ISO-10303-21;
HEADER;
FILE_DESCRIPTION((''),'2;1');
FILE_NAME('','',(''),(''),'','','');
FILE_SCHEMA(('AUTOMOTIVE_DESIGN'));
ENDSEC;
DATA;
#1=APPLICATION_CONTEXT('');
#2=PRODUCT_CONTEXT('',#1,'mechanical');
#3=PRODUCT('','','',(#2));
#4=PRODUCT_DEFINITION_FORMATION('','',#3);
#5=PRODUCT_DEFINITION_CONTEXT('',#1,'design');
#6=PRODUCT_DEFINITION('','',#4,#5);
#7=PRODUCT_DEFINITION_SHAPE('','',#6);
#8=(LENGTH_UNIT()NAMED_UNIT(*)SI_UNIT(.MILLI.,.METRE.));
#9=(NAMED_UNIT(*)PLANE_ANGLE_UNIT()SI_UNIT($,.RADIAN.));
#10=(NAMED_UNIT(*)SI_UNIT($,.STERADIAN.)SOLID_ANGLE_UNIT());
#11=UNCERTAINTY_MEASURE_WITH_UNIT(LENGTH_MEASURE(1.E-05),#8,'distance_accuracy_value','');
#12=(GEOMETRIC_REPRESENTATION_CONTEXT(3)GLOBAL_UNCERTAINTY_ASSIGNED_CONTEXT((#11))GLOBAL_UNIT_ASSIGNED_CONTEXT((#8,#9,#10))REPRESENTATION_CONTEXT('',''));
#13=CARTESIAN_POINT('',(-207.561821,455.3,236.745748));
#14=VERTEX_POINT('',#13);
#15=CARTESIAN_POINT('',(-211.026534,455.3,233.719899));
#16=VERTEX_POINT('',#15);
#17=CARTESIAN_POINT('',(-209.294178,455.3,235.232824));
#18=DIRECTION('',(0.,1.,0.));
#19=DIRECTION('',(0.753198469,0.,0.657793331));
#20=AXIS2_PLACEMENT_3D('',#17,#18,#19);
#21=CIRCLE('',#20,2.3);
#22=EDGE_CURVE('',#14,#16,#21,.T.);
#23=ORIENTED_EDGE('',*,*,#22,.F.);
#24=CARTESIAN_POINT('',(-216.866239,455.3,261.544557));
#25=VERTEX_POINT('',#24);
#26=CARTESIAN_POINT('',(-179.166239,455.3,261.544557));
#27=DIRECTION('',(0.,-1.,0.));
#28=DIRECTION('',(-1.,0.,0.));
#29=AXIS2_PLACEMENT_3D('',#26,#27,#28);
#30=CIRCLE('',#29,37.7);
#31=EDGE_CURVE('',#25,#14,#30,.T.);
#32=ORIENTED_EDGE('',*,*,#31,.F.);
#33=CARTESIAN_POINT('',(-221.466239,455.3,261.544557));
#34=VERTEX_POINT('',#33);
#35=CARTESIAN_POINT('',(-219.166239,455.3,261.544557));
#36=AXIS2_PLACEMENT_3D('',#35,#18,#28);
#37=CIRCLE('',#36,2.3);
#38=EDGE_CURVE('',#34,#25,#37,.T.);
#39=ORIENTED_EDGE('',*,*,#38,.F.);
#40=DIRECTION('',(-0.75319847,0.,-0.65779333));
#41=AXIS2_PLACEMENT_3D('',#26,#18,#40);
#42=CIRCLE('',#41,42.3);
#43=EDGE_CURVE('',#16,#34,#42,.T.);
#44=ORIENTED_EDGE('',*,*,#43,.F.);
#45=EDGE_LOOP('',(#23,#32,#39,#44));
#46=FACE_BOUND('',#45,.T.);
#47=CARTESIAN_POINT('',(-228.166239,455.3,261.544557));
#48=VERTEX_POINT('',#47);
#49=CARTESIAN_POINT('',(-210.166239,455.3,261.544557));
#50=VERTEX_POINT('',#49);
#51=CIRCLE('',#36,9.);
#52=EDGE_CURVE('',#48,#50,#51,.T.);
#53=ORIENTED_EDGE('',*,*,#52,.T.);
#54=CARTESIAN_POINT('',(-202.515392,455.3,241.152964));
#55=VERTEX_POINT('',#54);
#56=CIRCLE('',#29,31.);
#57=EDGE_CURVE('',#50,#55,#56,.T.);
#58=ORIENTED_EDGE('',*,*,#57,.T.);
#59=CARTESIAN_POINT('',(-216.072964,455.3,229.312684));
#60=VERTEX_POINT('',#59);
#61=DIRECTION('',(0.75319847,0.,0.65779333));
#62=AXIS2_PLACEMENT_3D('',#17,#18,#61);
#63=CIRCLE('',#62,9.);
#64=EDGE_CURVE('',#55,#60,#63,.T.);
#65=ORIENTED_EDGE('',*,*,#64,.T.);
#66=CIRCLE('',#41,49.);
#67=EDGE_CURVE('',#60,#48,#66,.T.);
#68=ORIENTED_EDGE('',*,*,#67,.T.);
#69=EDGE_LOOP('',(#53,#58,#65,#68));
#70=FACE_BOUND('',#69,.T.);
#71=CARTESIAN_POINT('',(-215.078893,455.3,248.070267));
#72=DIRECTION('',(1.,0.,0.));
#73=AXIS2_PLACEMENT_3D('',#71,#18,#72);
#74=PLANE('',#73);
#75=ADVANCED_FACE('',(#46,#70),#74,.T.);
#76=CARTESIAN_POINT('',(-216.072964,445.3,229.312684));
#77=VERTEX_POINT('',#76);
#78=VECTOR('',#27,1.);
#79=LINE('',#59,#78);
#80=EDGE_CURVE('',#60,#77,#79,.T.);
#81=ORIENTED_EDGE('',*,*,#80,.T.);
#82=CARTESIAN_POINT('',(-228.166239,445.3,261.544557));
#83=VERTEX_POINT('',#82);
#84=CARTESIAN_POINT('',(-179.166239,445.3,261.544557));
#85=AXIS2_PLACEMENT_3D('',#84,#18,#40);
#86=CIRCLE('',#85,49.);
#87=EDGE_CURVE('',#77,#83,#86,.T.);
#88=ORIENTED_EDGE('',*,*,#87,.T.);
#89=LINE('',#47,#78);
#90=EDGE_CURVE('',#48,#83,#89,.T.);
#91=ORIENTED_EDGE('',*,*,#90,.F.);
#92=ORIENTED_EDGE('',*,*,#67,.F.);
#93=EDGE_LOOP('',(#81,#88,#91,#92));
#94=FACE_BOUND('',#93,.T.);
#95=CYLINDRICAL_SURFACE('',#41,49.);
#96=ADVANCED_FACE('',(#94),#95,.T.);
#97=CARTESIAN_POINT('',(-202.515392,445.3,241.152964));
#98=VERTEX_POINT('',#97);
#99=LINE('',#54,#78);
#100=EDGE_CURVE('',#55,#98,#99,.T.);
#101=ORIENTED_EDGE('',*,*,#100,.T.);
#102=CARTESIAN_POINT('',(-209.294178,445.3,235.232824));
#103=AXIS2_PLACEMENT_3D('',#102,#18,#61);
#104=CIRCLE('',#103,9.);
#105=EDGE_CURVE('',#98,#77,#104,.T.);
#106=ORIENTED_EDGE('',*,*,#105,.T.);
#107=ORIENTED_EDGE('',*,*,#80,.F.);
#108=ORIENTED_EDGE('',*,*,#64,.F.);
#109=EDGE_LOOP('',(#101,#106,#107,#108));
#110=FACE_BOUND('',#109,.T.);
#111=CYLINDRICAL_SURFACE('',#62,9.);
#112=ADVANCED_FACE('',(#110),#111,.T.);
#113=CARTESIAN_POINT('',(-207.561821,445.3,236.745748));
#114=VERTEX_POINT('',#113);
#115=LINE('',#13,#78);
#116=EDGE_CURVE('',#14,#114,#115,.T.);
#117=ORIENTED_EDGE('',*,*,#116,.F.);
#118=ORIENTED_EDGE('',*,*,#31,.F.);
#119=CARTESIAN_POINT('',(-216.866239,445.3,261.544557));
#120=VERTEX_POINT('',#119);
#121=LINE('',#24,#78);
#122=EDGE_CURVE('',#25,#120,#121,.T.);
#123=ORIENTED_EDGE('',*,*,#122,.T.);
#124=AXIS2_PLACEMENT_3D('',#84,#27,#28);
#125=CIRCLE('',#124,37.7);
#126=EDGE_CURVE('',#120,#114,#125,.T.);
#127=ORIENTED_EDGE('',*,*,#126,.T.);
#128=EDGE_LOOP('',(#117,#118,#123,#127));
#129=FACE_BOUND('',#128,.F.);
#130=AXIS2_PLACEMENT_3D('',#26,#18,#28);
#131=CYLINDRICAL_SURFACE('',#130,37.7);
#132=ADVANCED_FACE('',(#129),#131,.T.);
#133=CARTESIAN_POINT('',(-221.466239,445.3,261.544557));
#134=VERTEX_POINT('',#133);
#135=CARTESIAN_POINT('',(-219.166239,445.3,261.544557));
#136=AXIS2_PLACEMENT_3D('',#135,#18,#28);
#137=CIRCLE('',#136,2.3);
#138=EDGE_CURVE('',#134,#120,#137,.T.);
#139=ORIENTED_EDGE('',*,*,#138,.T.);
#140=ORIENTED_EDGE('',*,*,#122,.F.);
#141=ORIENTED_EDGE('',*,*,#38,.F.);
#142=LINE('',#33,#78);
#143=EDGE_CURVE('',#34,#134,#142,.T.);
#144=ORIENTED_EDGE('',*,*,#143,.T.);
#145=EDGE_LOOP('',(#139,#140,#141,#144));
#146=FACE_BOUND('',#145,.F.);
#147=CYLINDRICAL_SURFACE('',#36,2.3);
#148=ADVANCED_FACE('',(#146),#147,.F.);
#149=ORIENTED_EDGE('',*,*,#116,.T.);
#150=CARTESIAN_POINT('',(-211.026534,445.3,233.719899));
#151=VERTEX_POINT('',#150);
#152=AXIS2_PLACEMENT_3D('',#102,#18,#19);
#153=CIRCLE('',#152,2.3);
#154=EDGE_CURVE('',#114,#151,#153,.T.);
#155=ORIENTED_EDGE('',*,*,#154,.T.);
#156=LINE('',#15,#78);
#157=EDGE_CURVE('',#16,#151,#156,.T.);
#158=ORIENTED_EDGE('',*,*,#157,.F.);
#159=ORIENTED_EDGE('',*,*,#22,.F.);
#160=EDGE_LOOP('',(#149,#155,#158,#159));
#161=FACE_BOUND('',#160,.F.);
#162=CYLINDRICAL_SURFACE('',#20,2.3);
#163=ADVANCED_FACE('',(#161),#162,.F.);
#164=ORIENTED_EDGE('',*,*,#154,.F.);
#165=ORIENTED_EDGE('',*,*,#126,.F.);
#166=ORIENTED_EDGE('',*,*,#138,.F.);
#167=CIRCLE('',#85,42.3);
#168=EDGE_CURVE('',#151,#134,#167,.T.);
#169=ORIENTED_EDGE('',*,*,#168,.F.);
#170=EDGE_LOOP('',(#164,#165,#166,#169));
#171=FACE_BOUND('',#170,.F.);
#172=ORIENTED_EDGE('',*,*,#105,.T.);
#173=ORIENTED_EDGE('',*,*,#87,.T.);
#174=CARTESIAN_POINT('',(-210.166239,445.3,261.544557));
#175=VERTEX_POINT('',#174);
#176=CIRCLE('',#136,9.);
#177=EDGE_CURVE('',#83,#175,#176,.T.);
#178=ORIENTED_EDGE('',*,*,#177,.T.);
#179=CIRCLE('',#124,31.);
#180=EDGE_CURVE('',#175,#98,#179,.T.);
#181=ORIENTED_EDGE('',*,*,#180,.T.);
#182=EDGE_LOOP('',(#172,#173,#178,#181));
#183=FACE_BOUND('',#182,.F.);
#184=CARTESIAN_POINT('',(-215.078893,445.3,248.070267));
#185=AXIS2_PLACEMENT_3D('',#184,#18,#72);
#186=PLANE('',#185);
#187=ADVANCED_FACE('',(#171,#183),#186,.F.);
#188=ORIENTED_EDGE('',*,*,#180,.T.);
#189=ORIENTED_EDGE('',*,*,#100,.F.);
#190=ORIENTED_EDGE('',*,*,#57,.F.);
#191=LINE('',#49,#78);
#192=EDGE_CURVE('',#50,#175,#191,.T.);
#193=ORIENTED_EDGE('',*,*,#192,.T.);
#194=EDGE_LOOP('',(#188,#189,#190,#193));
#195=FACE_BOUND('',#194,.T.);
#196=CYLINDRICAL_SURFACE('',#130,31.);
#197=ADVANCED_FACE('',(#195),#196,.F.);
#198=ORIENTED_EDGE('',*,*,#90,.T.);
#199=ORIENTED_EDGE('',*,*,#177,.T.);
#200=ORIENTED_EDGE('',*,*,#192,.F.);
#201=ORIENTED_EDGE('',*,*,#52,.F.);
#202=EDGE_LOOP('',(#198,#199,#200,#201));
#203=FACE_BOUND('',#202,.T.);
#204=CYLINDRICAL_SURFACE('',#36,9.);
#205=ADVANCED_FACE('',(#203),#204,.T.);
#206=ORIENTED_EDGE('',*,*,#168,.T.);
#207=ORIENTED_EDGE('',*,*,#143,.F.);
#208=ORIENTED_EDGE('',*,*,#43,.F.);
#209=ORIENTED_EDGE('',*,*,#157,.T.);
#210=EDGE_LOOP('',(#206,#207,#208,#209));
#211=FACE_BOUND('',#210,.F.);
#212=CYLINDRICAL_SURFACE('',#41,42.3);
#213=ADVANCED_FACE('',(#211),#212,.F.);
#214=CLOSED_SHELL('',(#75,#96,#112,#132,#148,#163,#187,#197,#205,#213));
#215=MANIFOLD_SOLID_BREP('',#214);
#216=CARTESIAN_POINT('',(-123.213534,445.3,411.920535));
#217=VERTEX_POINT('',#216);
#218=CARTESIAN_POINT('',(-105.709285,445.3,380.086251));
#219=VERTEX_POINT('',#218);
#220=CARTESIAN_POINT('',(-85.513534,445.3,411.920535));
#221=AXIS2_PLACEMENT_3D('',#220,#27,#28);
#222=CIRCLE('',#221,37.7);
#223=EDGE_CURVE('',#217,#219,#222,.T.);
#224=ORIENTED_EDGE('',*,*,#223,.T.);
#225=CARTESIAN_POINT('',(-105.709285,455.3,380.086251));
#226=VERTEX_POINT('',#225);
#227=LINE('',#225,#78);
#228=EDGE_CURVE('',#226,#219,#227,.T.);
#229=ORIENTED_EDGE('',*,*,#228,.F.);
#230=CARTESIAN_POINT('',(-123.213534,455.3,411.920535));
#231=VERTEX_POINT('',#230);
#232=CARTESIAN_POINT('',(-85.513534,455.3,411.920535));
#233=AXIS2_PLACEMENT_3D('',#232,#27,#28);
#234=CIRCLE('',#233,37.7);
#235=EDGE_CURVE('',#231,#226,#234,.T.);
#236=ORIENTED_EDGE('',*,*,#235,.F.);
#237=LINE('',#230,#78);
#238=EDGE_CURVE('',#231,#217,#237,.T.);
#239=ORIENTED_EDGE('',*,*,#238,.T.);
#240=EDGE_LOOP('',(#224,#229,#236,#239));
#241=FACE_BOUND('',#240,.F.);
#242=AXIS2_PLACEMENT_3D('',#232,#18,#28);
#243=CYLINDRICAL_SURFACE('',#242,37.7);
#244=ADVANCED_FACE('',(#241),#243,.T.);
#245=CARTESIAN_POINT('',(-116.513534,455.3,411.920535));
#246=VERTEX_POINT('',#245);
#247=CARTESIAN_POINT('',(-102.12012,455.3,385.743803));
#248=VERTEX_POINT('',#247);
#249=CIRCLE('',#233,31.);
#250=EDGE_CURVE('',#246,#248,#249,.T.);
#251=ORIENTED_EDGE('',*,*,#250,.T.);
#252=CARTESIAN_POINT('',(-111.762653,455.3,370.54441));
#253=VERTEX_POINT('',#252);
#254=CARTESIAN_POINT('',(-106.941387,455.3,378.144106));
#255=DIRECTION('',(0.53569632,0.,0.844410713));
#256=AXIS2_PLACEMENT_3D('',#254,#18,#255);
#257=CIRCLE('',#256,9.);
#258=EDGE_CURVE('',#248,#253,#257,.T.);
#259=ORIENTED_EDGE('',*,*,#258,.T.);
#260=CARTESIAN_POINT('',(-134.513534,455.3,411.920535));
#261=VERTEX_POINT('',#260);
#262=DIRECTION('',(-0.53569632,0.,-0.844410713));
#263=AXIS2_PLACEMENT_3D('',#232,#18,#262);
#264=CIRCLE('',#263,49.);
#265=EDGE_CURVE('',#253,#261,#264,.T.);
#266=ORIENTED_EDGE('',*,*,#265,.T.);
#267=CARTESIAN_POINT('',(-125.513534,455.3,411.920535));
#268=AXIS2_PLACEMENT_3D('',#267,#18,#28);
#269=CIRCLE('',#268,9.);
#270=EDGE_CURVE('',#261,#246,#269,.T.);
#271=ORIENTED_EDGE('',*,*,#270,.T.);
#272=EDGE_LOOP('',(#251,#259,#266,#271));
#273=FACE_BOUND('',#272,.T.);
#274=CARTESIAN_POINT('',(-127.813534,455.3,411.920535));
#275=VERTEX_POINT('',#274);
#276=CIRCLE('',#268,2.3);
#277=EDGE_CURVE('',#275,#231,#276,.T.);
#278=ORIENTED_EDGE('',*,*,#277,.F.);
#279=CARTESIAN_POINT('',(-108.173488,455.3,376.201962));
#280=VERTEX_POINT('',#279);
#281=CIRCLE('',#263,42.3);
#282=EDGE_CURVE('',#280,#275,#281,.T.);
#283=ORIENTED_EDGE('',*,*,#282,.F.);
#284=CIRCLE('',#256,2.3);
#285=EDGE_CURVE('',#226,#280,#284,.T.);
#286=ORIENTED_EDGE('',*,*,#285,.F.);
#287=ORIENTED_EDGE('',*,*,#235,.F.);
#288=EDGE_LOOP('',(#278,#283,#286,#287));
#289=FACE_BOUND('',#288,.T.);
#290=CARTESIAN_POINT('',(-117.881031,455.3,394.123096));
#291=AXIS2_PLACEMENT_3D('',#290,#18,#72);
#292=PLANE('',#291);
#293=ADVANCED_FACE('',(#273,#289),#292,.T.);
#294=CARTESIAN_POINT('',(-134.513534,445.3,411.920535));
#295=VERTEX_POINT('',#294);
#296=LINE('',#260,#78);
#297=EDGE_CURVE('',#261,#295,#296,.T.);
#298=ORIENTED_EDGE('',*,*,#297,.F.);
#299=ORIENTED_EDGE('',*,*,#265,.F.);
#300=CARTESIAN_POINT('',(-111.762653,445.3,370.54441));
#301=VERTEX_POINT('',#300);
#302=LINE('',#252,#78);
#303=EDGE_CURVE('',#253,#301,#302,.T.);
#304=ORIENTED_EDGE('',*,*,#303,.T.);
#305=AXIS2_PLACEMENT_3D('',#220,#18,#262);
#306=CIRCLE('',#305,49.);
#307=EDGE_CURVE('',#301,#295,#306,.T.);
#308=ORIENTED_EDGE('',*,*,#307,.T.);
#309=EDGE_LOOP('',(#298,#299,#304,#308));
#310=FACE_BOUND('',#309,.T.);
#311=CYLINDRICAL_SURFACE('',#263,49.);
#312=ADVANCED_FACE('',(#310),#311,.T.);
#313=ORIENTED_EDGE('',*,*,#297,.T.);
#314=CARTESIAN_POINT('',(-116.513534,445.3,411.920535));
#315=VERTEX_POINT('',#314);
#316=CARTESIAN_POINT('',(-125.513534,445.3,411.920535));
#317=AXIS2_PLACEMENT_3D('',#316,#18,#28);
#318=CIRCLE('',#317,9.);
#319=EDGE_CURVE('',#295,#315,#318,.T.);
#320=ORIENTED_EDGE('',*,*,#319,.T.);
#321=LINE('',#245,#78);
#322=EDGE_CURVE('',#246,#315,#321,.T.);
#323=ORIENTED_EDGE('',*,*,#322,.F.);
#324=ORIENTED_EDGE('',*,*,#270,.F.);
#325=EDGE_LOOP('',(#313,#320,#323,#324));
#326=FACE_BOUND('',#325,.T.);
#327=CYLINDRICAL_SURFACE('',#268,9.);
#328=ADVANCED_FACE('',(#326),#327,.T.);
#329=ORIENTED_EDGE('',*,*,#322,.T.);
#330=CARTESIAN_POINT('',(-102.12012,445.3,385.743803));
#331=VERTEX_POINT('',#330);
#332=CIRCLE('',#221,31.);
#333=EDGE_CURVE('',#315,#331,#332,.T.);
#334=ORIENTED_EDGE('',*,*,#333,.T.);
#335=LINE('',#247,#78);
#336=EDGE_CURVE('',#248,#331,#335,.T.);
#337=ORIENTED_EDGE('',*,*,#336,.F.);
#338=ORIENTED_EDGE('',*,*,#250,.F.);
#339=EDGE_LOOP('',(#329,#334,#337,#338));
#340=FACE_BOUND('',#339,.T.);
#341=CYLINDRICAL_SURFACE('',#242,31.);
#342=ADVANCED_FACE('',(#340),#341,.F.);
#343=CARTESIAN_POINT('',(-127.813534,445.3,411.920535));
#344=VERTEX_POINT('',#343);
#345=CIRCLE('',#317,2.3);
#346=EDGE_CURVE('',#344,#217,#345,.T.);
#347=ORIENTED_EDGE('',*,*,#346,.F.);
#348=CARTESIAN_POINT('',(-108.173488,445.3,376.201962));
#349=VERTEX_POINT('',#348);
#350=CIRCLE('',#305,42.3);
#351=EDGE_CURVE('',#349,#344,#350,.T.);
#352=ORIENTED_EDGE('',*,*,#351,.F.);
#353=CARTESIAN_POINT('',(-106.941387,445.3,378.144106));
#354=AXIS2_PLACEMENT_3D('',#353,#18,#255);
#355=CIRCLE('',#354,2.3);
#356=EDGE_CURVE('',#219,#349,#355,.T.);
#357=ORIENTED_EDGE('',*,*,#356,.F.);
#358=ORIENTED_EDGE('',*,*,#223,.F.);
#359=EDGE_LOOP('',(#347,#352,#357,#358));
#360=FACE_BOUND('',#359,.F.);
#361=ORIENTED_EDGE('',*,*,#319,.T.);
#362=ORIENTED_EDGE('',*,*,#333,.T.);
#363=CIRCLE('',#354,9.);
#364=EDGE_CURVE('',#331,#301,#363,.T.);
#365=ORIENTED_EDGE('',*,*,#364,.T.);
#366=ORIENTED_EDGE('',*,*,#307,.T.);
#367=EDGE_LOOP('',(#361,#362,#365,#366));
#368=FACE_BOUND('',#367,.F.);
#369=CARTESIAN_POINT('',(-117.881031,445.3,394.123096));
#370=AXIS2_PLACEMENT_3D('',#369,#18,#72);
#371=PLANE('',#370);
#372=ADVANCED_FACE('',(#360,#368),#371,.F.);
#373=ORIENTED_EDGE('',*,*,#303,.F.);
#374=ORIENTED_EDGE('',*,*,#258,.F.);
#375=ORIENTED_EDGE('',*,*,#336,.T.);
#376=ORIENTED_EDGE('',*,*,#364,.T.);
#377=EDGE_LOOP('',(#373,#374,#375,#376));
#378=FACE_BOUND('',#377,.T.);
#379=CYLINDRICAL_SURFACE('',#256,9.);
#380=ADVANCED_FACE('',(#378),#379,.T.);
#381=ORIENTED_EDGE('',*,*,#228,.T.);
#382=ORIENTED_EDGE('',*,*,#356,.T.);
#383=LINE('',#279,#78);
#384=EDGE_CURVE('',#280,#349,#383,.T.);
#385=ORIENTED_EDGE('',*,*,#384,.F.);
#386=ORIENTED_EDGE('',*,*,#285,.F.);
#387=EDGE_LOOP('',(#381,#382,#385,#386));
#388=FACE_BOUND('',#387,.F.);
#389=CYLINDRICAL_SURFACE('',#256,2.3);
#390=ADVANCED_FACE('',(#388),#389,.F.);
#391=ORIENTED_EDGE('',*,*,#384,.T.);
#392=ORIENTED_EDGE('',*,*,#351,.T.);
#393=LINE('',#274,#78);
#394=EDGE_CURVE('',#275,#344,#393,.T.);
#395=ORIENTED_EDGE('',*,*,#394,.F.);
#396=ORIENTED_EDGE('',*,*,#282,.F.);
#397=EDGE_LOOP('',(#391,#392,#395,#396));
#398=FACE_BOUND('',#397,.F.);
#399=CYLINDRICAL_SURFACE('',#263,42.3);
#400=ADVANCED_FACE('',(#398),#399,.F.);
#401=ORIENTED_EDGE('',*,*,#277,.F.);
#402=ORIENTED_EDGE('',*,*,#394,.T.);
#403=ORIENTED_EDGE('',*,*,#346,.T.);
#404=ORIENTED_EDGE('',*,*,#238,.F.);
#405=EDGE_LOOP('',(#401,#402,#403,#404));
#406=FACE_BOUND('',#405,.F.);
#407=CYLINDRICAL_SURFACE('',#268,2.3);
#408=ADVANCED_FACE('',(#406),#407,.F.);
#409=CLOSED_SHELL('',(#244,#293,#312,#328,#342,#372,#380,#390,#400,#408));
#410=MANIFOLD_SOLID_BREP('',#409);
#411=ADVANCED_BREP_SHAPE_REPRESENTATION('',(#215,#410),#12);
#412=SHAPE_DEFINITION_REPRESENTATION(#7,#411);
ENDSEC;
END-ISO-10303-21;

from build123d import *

# Parameters (mm, degrees)
DODANIE_WYCI_GNI_CIE1_DEPTH   = 10
DODANIE_WYCI_GNI_CIE1_2_DEPTH = 10


with BuildPart() as part:
    # Szkic1 → Dodanie-wyciągnięcie1 (new body)
    with BuildSketch(Plane(origin=(0, 455.3, 0), x_dir=(1, 0, 0), z_dir=(0, 1, 0))):
        with BuildLine():
            ThreePointArc((-111.762653418, -370.544409902), (-128.45073709, -388.311287346), (-134.513533731, -411.920534849))
            ThreePointArc((-134.513533731, -411.920534849), (-125.513533731, -420.920534849), (-116.513533731, -411.920534849))
            ThreePointArc((-116.513533731, -411.920534849), (-112.677886877, -396.984072143), (-102.120119655, -385.743802739))
            ThreePointArc((-102.120119655, -385.743802739), (-99.341690118, -373.322839439), (-111.762653418, -370.544409902))
        make_face()
        with BuildLine():
            ThreePointArc((-105.709285, -380.086250961), (-104.999241896, -376.912004784), (-108.173488073, -376.20196168))
            ThreePointArc((-108.173488073, -376.20196168), (-122.579731733, -391.539490576), (-127.813533731, -411.920534849))
            ThreePointArc((-127.813533731, -411.920534849), (-125.513533731, -414.220534849), (-123.213533731, -411.920534849))
            ThreePointArc((-123.213533731, -411.920534849), (-118.548892234, -393.755868913), (-105.709285, -380.086250961))
        make_face(mode=Mode.SUBTRACT)
    extrude(amount=-DODANIE_WYCI_GNI_CIE1_DEPTH)


with BuildPart() as body_2:
    # Szkic1 → Dodanie-wyci_gni_cie1 2 (new body)
    with BuildSketch(Plane(origin=(0, 455.3, 0), x_dir=(1, 0, 0), z_dir=(0, 1, 0))):
        with BuildLine():
            ThreePointArc((-228.166238959, -261.544556892), (-219.166238959, -270.544556892), (-210.166238959, -261.544556892))
            ThreePointArc((-210.166238959, -261.544556892), (-208.190571246, -250.654738927), (-202.51539152, -241.152963656))
            ThreePointArc((-202.51539152, -241.152963656), (-203.374037775, -228.454037457), (-216.072963974, -229.312683713))
            ThreePointArc((-216.072963974, -229.312683713), (-225.043409348, -244.331618818), (-228.166238959, -261.544556892))
        make_face()
        with BuildLine():
            ThreePointArc((-207.561821267, -236.745748344), (-207.781253087, -233.500467204), (-211.026534227, -233.719899025))
            ThreePointArc((-211.026534227, -233.719899025), (-218.770408499, -246.685224637), (-221.466238959, -261.544556892))
            ThreePointArc((-221.466238959, -261.544556892), (-219.166238959, -263.844556892), (-216.866238959, -261.544556892))
            ThreePointArc((-216.866238959, -261.544556892), (-214.463572095, -248.301133109), (-207.561821267, -236.745748344))
        make_face(mode=Mode.SUBTRACT)
    extrude(amount=-DODANIE_WYCI_GNI_CIE1_2_DEPTH)


solid = Compound([part.part, body_2.part])
